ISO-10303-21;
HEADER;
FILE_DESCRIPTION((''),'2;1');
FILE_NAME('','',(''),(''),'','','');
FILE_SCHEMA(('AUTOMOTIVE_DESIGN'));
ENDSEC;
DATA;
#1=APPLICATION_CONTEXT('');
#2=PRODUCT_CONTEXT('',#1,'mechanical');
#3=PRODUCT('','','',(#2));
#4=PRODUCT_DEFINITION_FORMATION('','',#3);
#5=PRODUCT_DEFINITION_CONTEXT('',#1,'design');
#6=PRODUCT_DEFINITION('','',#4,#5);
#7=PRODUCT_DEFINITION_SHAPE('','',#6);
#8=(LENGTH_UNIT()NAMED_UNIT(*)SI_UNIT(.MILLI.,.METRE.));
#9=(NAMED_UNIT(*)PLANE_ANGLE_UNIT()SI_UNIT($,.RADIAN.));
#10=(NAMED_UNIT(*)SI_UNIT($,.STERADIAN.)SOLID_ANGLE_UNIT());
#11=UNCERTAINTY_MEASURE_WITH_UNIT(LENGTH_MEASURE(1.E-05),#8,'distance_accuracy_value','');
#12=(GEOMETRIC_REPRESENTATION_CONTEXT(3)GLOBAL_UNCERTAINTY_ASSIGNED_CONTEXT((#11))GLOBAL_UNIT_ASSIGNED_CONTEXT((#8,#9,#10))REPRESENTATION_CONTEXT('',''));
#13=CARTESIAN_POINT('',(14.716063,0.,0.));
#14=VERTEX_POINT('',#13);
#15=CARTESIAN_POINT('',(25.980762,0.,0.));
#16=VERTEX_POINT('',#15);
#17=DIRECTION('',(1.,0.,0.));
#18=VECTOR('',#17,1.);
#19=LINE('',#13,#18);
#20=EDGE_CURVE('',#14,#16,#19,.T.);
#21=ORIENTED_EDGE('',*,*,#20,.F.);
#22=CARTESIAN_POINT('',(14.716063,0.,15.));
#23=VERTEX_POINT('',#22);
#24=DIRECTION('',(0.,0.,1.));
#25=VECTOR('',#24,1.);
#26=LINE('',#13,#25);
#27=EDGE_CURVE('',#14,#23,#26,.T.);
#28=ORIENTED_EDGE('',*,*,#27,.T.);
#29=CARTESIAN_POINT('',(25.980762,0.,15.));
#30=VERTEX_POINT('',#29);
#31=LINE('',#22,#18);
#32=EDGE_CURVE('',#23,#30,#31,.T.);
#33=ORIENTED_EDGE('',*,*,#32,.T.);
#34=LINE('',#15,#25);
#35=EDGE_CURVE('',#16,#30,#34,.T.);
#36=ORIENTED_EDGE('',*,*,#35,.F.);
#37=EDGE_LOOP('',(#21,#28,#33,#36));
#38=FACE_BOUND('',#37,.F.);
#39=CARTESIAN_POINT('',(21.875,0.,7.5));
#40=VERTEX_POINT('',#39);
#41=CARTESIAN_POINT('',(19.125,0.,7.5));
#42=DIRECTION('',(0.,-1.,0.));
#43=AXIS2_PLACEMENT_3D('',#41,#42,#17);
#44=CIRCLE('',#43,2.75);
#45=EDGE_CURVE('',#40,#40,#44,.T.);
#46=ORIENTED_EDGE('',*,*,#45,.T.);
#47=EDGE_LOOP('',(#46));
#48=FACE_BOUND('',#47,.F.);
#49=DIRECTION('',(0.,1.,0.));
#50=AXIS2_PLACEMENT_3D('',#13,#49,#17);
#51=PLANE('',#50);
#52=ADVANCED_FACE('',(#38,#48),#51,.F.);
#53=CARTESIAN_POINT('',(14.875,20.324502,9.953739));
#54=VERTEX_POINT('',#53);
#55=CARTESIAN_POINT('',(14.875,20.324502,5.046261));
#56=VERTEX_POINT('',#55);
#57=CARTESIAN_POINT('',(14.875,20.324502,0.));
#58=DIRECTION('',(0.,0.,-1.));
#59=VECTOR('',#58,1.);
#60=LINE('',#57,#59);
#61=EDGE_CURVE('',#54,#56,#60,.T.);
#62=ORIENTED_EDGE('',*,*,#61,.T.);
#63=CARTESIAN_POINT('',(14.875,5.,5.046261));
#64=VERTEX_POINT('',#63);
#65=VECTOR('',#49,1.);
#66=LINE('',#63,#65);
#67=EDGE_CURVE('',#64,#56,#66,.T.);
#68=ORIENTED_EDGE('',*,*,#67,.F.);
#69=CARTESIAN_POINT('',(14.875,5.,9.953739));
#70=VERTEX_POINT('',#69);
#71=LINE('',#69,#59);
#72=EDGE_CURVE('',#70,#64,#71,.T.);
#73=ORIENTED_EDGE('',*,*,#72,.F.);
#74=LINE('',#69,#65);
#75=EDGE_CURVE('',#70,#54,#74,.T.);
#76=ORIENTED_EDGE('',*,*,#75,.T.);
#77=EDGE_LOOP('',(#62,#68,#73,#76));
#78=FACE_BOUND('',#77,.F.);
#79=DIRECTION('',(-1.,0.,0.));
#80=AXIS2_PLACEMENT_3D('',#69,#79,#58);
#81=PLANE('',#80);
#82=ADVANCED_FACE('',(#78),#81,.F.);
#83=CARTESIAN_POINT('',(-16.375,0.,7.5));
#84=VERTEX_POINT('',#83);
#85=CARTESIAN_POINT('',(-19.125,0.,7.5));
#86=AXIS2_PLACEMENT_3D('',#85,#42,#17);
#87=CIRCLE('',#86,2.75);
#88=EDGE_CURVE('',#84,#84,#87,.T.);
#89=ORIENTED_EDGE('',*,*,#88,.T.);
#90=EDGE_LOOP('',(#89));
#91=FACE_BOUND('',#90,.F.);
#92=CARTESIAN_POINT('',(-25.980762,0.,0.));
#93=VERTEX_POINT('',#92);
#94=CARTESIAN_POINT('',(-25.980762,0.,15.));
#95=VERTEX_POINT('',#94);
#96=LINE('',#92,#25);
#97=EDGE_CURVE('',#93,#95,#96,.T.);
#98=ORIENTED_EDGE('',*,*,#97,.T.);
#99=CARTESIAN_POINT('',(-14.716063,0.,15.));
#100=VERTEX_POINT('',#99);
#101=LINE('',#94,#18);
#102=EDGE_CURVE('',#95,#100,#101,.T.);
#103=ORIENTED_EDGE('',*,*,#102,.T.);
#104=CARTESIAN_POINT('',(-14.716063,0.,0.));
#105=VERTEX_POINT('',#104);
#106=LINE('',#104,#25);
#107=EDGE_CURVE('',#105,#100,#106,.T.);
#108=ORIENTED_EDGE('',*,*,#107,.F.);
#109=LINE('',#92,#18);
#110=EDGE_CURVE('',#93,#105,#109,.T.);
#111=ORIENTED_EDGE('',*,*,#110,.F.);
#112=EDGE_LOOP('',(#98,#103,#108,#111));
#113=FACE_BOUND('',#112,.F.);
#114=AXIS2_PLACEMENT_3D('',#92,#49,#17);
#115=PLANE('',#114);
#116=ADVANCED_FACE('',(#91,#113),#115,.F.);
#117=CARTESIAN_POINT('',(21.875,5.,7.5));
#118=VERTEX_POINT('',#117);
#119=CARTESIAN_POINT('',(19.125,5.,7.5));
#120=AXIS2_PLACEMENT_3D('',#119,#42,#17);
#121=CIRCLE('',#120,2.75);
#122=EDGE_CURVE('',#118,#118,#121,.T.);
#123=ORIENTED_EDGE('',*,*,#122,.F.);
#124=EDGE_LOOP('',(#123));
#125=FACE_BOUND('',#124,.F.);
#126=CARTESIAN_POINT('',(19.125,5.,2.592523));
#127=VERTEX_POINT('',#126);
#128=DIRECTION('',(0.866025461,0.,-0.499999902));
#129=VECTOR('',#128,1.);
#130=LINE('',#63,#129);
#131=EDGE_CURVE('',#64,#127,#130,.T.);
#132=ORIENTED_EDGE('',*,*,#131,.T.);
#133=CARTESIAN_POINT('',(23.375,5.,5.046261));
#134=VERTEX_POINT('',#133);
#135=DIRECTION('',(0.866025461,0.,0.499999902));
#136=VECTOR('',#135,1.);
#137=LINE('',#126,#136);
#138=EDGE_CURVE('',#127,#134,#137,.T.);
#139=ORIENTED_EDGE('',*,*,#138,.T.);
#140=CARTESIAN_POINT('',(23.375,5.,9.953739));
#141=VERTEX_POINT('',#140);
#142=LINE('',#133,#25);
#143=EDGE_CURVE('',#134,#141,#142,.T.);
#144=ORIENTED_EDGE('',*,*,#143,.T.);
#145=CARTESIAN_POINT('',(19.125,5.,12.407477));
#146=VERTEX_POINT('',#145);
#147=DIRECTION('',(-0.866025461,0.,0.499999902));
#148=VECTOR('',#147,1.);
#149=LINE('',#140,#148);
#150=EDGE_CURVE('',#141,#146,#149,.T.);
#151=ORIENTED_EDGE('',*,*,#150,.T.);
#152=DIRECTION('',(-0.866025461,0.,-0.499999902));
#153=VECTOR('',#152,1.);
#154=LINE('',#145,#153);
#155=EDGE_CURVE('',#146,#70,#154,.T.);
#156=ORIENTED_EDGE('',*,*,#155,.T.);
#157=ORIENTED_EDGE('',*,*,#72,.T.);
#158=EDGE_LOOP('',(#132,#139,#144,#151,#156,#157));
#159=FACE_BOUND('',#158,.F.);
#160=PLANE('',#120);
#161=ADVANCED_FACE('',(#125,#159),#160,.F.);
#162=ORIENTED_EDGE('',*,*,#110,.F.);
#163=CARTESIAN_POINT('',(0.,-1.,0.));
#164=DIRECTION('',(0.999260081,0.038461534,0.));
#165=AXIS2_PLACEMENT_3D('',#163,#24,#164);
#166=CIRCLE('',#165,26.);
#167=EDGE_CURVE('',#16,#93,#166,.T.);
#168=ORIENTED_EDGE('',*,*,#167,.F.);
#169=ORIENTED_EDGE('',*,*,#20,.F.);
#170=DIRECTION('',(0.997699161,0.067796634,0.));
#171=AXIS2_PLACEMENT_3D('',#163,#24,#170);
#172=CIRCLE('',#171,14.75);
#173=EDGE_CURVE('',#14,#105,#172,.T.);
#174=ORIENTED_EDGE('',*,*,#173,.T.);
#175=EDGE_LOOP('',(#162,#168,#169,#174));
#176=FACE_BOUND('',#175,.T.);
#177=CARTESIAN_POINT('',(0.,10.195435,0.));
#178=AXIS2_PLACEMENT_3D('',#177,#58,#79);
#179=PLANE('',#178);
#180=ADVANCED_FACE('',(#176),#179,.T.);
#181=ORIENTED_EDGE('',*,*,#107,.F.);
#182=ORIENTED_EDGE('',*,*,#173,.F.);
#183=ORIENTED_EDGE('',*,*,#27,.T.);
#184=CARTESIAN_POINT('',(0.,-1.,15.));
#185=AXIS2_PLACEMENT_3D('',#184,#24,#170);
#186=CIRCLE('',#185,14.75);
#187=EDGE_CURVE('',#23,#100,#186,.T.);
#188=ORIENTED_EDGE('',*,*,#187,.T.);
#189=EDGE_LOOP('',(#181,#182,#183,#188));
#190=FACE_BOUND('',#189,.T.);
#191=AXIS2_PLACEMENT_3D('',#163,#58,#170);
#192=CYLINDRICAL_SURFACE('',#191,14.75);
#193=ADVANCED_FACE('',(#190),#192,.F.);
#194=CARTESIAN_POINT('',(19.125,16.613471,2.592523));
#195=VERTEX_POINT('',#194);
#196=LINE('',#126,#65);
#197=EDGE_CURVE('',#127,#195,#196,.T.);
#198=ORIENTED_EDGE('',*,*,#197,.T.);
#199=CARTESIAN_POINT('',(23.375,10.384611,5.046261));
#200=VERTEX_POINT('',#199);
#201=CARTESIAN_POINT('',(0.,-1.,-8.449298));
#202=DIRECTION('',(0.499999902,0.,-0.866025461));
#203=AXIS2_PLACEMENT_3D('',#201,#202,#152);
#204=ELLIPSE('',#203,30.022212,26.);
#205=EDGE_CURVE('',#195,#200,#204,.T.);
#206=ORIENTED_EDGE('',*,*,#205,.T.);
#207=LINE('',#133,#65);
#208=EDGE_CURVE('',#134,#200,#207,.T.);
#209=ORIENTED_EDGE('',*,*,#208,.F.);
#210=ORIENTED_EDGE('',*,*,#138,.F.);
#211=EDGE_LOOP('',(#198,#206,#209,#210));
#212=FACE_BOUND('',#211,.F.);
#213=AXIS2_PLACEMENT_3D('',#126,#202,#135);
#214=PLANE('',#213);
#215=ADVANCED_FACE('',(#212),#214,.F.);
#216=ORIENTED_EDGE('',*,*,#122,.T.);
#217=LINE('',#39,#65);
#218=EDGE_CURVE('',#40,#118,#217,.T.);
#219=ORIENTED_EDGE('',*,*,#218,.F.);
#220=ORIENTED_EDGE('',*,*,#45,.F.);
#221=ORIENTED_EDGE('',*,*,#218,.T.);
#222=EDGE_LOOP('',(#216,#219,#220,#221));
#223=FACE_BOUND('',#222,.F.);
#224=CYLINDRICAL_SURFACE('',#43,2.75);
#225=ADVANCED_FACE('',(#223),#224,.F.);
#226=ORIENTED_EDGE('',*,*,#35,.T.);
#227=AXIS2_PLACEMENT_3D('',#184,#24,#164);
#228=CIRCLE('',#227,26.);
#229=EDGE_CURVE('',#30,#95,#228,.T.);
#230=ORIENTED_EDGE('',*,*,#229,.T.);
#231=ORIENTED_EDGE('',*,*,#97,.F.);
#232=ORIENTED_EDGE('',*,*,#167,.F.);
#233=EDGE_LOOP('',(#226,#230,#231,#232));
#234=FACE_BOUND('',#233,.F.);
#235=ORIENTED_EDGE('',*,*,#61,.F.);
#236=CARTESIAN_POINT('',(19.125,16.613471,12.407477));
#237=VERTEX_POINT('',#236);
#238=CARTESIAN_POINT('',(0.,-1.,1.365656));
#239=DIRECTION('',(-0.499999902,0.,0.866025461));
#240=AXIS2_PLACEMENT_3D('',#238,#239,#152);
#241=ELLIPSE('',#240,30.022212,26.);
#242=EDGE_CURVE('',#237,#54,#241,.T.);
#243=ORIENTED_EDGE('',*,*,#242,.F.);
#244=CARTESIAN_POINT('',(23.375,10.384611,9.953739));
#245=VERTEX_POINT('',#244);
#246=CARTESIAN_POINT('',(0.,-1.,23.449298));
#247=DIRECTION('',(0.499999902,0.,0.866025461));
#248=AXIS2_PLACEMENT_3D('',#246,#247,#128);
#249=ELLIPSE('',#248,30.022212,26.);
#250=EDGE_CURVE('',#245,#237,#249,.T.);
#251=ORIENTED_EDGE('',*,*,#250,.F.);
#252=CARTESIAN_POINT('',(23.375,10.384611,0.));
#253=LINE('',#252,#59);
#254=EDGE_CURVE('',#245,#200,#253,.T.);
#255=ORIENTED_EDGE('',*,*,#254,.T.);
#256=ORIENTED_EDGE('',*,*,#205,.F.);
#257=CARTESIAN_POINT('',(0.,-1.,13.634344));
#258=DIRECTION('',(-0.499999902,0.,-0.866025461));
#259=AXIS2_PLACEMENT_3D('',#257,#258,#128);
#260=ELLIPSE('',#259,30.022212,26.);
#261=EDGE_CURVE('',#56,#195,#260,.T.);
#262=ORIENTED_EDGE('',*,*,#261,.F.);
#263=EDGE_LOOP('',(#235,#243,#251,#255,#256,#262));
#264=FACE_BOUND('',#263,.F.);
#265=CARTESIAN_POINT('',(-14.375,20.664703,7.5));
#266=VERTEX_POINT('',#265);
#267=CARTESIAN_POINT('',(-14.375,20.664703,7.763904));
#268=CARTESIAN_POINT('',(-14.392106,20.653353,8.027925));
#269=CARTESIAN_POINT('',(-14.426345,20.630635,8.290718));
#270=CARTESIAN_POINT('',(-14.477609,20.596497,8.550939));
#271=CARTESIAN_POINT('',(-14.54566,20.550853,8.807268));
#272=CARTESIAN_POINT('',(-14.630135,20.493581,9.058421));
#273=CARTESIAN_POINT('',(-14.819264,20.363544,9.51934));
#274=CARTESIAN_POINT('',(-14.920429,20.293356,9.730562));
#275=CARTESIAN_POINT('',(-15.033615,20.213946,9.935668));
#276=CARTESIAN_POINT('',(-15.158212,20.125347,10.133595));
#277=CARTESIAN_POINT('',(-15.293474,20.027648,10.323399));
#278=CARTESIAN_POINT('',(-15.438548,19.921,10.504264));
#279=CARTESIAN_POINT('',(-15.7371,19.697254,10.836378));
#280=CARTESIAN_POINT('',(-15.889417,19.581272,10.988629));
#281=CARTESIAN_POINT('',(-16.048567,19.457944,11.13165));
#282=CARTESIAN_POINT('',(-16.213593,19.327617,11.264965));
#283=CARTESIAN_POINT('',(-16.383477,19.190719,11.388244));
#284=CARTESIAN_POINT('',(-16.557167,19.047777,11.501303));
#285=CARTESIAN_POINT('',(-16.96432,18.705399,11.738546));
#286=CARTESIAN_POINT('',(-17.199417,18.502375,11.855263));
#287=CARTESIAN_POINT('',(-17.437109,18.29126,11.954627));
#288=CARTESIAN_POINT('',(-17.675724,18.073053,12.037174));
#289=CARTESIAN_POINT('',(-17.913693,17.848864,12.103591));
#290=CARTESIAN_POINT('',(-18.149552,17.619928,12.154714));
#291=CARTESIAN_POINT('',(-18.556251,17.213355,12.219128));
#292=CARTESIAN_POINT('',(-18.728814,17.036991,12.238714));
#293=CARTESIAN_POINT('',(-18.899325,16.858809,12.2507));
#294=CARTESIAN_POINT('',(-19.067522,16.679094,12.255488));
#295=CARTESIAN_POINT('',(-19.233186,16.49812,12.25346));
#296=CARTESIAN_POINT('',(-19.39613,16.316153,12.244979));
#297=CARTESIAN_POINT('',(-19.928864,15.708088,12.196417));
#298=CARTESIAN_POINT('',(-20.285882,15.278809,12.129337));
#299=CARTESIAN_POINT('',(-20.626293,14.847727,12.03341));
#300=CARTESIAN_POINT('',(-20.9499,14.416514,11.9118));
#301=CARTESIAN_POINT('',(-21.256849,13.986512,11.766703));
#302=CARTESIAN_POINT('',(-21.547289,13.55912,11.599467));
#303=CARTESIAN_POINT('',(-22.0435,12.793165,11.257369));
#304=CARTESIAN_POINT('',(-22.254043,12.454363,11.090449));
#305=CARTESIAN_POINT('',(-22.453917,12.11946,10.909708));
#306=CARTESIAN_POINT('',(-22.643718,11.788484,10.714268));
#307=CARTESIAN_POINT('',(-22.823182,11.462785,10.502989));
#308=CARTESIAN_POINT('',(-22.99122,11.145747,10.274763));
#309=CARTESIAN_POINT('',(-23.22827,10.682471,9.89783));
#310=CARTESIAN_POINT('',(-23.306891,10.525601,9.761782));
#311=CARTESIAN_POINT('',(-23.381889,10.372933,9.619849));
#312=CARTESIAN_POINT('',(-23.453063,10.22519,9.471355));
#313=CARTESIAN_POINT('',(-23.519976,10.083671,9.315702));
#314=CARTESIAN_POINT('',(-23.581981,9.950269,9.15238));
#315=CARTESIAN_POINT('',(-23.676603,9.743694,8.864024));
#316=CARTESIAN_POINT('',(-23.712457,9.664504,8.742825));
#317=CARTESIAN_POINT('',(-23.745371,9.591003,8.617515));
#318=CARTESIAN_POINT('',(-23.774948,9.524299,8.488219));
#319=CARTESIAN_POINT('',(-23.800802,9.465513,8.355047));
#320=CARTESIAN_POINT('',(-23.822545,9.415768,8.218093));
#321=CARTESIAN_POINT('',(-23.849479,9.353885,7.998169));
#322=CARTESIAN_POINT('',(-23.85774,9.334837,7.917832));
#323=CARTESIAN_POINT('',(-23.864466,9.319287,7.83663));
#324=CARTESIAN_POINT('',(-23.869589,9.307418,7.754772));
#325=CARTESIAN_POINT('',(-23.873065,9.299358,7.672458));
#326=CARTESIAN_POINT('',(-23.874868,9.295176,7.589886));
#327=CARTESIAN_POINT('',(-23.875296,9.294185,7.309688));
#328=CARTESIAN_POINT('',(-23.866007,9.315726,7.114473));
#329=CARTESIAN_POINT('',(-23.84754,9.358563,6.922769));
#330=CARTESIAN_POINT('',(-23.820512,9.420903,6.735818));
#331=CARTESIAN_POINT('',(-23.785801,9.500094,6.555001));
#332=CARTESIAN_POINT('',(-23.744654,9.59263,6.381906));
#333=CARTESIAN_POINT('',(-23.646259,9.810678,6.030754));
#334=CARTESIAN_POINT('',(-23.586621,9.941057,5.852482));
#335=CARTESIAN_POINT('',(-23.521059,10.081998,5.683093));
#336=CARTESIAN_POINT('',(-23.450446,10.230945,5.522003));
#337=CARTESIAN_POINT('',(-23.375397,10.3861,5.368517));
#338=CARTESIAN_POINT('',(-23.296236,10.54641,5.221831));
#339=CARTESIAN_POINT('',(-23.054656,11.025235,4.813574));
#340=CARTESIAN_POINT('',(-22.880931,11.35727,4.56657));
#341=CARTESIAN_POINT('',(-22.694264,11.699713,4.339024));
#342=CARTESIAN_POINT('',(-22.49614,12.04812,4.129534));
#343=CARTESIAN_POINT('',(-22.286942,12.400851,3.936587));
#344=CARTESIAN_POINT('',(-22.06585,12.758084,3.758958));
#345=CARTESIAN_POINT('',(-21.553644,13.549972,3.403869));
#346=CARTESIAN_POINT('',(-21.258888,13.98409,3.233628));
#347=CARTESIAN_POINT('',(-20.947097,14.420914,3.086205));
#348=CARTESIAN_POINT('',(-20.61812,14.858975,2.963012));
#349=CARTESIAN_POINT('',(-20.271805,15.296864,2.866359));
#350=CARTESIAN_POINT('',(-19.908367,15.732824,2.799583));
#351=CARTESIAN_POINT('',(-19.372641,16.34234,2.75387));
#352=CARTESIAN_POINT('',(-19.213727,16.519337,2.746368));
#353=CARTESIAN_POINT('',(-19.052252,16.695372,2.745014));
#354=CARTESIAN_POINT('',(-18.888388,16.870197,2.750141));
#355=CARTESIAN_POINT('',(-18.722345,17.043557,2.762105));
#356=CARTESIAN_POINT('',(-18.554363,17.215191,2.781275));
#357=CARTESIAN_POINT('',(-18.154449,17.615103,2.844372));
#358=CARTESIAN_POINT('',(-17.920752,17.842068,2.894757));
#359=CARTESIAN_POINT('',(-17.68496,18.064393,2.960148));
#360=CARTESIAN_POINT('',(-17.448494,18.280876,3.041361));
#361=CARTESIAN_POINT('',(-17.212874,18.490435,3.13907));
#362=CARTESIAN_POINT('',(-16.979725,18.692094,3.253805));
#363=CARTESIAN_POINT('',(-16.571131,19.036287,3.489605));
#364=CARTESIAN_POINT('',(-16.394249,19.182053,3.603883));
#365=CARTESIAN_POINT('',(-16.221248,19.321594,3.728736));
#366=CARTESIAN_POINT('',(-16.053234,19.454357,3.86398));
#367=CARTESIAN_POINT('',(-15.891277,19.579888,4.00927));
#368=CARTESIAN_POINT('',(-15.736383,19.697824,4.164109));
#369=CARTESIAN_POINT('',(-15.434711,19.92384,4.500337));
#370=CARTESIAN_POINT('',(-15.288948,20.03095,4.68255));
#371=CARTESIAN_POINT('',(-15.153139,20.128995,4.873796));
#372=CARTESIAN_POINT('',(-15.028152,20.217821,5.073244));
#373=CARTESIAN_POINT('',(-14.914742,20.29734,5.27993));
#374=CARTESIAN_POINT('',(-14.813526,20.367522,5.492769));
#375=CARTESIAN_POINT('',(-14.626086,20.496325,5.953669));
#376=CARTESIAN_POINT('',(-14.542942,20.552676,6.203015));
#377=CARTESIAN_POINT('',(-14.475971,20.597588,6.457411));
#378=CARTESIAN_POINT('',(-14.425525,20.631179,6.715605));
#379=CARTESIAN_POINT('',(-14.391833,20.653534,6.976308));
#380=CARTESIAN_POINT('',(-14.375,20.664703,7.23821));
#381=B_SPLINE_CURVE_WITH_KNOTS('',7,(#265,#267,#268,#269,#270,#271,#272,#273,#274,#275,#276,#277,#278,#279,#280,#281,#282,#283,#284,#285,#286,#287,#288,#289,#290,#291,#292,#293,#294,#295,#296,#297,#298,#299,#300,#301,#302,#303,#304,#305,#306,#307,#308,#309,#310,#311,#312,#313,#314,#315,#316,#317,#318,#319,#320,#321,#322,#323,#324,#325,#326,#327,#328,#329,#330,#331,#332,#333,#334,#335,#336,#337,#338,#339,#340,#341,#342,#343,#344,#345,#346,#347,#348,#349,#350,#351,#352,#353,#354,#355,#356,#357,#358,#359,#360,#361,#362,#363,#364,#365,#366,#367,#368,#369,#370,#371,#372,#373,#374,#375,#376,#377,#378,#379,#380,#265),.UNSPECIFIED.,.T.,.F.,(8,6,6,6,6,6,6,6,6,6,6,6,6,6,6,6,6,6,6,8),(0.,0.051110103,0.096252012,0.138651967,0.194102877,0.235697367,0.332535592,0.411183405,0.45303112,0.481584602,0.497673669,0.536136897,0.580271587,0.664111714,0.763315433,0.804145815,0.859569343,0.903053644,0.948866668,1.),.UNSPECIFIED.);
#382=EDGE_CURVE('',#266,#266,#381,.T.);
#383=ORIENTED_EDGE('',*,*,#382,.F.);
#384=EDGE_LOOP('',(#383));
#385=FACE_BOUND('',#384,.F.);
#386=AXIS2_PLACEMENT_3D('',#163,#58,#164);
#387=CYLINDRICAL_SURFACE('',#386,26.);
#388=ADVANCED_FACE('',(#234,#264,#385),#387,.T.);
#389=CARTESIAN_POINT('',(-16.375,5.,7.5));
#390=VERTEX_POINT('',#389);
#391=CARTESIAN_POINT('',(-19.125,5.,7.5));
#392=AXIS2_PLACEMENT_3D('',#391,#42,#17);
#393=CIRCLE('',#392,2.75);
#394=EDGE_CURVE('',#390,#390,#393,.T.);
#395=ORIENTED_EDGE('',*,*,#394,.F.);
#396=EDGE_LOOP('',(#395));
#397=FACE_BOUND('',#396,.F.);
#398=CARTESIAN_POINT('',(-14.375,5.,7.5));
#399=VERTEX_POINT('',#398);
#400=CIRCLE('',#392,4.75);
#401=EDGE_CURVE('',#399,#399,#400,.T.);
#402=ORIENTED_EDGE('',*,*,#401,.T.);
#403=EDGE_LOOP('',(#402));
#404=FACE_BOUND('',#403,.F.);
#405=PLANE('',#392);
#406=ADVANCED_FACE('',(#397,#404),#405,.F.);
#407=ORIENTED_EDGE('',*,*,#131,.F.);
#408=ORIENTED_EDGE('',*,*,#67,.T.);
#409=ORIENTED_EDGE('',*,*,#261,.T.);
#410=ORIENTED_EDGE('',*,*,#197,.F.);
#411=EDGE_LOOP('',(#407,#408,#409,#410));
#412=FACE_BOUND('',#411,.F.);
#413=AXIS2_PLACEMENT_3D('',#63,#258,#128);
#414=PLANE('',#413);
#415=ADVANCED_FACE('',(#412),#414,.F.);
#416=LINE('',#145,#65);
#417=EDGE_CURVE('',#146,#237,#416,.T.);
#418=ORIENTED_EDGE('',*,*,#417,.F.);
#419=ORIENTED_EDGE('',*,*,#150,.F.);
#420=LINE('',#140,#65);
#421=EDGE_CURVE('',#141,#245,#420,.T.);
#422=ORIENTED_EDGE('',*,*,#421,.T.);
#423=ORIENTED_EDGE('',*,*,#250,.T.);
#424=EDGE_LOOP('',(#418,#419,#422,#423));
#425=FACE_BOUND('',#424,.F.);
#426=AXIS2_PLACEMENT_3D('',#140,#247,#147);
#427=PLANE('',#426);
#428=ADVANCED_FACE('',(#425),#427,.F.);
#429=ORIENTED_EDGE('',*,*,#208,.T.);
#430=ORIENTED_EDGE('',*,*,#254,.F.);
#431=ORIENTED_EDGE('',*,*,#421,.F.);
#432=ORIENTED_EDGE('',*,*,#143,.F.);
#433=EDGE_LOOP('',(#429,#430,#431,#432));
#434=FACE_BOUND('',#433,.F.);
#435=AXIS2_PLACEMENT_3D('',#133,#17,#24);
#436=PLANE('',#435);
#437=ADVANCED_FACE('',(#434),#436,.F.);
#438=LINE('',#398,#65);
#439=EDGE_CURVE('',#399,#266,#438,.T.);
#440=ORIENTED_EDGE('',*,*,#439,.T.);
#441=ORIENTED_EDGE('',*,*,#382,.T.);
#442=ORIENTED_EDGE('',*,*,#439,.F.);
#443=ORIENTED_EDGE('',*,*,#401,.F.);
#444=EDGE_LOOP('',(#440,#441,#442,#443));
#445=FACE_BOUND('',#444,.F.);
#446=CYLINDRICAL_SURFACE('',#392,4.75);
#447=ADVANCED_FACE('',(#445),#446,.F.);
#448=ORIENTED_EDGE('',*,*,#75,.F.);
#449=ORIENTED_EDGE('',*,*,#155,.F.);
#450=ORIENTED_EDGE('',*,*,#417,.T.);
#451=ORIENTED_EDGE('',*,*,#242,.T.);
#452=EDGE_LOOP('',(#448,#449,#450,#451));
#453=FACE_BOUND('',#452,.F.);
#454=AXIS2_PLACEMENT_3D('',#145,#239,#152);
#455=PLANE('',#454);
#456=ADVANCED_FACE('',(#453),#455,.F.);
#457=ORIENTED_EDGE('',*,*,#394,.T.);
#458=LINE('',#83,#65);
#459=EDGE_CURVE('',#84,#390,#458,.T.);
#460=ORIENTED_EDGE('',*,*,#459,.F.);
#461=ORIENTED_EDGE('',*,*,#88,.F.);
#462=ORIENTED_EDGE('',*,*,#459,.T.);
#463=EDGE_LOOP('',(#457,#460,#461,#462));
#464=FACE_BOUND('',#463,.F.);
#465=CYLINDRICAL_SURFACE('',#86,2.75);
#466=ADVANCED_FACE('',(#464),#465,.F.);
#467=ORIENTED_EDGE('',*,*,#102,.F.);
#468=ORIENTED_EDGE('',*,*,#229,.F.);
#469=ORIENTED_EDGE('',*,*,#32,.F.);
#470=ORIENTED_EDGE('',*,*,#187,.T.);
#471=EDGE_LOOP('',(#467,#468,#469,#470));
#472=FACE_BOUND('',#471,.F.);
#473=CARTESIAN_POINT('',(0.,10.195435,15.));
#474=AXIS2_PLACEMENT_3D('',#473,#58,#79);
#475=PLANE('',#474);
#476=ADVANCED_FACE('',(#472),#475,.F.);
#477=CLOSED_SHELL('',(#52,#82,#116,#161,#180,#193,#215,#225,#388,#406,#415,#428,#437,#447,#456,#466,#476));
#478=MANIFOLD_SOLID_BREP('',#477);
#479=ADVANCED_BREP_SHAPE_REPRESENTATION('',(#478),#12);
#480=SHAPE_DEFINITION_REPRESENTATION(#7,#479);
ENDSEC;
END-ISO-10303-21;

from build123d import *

# Parameters (mm, degrees)
PAD_DEPTH       = 15
SKETCH001_R     = 2.75
POCKET_DEPTH    = 25.001
SKETCH002_R     = 4.75
POCKET001_DEPTH = 20.001


with BuildPart() as part:
    # Sketch → Pad (new body)
    with BuildSketch(Plane.XY):
        with BuildLine():
            ThreePointArc((14.716063, 0), (0, 13.75), (-14.716063, 0))
            Line((-25.980762, 0), (-14.716063, 0))
            ThreePointArc((25.980762, 0), (0, 25), (-25.980762, 0))
            Line((14.716063, 0), (25.980762, 0))
        make_face()
    extrude(amount=PAD_DEPTH)

    # Sketch001 (on Face2 of Pad) → Pocket (cut, through all)
    with BuildSketch(Plane.XZ):
        with Locations((-19.125, 7.5)):
            Circle(SKETCH001_R)
        with Locations((19.125, 7.5)):
            Circle(SKETCH001_R)
    extrude(amount=-POCKET_DEPTH, mode=Mode.SUBTRACT)

    # Sketch002 (on DatumPlane) → Pocket001 (cut, through all)
    with BuildSketch(Plane.XZ.offset(-5)):
        with Locations((-19.125, 7.5)):
            Circle(SKETCH002_R)
        Polygon((19.125, 2.592523), (23.375, 5.046261), (23.375, 9.953739), (19.125, 12.407477), (14.875, 9.953739), (14.875, 5.046261), align=None)
    extrude(amount=-POCKET001_DEPTH, mode=Mode.SUBTRACT)


solid = part.part
